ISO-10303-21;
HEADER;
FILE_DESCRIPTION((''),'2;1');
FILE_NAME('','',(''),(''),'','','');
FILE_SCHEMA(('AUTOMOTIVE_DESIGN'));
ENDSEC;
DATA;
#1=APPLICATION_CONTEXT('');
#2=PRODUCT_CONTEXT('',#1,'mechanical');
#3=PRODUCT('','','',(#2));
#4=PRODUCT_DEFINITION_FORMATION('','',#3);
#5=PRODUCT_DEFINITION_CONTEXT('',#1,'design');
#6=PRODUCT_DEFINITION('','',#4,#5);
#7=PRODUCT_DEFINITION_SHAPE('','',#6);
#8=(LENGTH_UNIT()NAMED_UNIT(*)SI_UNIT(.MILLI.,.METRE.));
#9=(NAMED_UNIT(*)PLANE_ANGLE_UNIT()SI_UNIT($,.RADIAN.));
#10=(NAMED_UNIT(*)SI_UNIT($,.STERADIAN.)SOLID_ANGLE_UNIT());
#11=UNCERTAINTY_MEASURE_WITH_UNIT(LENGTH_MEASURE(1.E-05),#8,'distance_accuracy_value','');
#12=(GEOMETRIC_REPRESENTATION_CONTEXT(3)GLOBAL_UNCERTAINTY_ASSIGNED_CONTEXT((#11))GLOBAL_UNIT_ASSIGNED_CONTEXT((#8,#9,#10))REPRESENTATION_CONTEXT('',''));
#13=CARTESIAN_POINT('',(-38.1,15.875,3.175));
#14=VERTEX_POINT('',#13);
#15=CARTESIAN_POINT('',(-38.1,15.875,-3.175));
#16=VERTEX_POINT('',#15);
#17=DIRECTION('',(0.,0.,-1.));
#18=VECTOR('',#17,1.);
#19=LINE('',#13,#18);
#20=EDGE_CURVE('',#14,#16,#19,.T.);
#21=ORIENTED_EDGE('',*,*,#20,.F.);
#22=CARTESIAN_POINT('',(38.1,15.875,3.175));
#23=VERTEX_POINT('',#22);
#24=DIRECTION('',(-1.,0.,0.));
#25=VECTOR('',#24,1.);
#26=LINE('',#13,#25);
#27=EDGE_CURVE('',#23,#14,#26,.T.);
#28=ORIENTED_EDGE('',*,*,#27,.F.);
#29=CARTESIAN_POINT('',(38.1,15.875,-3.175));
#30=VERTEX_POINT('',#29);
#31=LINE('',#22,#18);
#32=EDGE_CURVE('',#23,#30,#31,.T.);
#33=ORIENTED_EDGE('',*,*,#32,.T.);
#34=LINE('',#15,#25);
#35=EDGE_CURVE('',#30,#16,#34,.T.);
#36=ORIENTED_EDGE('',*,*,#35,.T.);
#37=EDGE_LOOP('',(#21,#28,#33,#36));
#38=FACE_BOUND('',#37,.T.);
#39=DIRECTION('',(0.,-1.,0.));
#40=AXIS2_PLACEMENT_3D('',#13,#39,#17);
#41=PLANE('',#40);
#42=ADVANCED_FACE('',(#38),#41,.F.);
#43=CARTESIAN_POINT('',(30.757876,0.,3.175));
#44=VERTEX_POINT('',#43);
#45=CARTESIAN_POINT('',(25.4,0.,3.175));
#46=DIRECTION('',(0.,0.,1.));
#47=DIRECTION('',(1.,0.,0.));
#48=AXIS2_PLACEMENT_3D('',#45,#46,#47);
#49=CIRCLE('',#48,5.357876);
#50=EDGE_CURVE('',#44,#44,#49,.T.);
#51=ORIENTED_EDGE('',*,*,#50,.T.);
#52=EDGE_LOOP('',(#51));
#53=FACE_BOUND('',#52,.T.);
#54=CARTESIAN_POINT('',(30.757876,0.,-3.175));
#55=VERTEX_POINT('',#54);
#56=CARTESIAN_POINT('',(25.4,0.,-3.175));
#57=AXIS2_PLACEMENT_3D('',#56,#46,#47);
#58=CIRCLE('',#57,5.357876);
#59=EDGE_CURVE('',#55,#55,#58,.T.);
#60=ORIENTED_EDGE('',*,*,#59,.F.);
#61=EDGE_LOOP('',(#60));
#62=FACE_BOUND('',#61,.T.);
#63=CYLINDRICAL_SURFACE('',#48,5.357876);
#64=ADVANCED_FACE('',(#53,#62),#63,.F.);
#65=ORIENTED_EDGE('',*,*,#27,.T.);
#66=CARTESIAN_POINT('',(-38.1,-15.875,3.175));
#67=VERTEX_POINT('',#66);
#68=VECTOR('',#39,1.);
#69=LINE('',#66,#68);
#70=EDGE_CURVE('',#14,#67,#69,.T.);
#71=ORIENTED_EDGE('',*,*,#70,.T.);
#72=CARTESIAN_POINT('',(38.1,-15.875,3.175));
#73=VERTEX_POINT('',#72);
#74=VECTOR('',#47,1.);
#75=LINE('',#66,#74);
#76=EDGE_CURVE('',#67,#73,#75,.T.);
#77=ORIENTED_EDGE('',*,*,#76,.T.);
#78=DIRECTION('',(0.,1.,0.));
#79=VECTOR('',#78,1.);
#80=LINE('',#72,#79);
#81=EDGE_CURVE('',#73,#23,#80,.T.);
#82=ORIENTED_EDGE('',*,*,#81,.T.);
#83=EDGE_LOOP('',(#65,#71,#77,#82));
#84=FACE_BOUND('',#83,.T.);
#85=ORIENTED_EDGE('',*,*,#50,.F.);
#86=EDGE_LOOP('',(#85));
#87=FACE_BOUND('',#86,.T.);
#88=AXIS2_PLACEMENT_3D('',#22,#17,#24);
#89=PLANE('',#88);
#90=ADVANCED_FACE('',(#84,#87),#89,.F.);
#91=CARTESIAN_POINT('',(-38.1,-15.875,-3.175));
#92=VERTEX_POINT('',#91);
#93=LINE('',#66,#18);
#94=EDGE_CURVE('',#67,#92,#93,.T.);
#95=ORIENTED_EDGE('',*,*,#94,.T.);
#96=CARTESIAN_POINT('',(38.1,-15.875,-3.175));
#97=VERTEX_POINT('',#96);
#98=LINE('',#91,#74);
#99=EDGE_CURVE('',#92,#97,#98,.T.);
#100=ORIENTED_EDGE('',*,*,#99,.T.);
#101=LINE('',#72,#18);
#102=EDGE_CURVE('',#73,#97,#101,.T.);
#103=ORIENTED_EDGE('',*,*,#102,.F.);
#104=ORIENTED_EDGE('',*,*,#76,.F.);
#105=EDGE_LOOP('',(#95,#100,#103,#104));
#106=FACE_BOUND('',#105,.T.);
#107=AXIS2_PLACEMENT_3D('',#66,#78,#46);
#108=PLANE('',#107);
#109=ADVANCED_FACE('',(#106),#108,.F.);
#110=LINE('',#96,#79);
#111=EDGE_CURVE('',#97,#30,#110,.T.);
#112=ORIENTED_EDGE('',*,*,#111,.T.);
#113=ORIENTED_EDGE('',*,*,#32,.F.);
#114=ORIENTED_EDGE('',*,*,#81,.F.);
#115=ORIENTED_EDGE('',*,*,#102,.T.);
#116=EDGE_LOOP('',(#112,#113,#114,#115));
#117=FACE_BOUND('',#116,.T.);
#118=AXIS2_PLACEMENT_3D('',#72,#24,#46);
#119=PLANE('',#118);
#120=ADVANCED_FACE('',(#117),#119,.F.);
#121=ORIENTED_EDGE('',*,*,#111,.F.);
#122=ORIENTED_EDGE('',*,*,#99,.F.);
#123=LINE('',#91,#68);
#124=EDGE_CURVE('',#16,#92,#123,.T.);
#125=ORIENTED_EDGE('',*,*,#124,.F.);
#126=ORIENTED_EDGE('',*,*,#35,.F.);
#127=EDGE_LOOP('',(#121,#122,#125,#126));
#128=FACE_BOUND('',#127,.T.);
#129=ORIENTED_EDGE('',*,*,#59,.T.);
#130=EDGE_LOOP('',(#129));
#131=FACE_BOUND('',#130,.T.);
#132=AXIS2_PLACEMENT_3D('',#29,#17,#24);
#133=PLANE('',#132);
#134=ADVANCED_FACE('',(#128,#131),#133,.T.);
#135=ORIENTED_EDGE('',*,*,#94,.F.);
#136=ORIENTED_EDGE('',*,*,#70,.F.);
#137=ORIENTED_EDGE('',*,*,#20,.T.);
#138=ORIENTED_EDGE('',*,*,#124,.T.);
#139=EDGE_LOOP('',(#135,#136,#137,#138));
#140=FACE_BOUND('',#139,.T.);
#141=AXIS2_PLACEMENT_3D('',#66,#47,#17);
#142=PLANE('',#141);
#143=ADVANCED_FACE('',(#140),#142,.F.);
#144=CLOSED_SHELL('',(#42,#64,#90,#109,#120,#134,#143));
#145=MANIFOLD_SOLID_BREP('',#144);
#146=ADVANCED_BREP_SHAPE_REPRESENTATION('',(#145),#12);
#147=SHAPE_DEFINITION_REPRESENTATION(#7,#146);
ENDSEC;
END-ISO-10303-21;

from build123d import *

# Parameters (mm, degrees)
SKETCH1_W                        = 76.2
SKETCH1_H                        = 31.75
EXTRUDE1_DEPTH                   = 3.175
F_27_64_0_42188_DIAMETER_HOLE1_D = 10.715752


with BuildPart() as part:
    # Sketch1 → Extrude1 (new, symmetric)
    with BuildSketch(Plane.XY):
        Rectangle(SKETCH1_W, SKETCH1_H)
    extrude(amount=EXTRUDE1_DEPTH, both=True)

    # 27/64 (0.42188) Diameter Hole1 (through all)
    with Locations(Plane(origin=(25.4, 0, 3.175), x_dir=(1, 0, 0), z_dir=(0, 0, 1))):
        with Locations((0, 0)):
            Hole(F_27_64_0_42188_DIAMETER_HOLE1_D / 2)


solid = part.part
